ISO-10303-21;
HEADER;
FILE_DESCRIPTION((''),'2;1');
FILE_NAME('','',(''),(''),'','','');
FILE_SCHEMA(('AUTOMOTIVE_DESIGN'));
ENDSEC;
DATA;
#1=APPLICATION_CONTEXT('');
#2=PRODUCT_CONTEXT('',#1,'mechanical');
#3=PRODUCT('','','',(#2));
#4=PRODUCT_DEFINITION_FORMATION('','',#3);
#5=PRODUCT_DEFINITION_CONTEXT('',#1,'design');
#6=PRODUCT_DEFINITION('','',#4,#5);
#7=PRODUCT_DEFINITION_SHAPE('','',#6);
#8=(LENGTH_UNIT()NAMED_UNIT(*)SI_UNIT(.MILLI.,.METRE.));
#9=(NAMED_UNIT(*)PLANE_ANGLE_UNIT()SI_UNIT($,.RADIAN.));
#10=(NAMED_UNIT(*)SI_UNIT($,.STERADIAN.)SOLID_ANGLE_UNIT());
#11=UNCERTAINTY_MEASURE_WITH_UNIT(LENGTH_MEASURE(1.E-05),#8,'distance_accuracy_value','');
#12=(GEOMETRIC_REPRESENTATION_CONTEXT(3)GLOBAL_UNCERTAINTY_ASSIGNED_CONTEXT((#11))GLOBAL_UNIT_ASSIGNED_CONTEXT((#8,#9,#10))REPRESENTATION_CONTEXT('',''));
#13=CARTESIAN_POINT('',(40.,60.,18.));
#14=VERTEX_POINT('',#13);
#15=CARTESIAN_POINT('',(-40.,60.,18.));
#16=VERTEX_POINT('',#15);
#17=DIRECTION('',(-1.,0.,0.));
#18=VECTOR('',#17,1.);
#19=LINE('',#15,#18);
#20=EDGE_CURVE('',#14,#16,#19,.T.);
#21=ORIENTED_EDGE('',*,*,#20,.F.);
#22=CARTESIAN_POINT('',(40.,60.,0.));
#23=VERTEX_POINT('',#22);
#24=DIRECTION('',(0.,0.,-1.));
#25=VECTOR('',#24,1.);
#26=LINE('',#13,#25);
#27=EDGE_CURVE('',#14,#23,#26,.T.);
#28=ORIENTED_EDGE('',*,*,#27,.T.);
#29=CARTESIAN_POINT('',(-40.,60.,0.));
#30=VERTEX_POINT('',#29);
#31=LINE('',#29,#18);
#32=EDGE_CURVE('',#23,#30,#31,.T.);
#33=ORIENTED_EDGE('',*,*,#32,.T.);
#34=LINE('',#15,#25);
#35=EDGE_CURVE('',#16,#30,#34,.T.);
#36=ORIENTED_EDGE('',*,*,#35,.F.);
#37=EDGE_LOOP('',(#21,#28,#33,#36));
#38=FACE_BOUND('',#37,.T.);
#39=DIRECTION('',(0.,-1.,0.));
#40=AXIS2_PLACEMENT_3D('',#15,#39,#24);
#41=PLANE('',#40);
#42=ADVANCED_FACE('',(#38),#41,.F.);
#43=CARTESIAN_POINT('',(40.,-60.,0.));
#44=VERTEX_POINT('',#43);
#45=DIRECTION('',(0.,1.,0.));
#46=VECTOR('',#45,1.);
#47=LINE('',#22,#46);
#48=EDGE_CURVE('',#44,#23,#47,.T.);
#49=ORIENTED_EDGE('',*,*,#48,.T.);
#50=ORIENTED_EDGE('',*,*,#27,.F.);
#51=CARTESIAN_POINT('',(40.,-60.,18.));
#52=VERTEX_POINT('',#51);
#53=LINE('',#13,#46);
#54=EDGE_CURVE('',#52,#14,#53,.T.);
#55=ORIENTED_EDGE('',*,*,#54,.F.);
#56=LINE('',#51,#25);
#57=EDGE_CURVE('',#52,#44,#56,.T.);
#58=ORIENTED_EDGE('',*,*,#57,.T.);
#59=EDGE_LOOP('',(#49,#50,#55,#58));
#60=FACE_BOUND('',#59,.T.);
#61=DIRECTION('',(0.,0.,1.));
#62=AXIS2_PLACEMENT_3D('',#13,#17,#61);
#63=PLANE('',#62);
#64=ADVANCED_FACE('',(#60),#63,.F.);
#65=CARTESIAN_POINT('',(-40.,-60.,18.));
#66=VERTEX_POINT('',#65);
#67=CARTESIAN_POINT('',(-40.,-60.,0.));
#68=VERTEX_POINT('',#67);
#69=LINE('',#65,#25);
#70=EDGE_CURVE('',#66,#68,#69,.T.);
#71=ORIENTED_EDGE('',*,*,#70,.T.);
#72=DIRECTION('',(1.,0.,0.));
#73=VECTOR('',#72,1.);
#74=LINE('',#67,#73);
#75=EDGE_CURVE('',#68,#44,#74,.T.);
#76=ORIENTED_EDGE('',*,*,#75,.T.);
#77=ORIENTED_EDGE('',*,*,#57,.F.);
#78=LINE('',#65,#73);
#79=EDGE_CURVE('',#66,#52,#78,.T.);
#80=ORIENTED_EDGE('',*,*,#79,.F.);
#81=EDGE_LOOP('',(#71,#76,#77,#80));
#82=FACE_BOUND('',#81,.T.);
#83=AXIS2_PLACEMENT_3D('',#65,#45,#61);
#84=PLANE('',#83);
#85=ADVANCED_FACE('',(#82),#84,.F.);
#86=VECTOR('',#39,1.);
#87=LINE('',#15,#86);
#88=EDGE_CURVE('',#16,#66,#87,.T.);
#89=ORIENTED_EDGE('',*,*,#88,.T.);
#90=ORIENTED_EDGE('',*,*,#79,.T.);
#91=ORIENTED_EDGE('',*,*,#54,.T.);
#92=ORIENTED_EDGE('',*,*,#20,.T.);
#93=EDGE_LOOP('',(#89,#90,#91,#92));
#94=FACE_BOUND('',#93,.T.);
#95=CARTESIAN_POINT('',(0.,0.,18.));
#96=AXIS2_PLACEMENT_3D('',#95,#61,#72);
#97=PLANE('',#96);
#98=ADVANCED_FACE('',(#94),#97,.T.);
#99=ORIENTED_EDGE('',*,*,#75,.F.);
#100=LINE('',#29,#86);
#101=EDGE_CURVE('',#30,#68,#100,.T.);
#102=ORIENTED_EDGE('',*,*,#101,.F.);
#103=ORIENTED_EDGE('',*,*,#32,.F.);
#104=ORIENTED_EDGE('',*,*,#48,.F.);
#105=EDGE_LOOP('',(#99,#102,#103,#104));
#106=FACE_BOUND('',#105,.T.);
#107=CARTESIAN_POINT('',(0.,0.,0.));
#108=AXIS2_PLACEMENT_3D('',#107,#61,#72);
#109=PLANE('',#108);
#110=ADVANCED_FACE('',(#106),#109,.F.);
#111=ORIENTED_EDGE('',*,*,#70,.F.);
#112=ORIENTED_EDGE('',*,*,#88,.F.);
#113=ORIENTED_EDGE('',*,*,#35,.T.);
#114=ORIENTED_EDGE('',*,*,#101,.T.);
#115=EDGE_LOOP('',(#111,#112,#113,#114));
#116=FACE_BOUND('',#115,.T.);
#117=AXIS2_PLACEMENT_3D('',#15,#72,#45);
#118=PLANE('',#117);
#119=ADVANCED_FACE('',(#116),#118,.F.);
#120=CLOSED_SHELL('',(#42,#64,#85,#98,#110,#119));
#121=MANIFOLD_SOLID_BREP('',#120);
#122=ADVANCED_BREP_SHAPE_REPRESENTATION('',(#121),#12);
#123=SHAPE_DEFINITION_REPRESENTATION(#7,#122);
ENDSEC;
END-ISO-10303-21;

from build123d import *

# Parameters (mm, degrees)
SKETCH1_W           = 80
SKETCH1_H           = 120
BOSS_EXTRUDE1_DEPTH = 18


with BuildPart() as part:
    # Sketch1 → Boss-Extrude1 (new body)
    with BuildSketch(Plane.XY):
        Rectangle(SKETCH1_W, SKETCH1_H)
    extrude(amount=BOSS_EXTRUDE1_DEPTH)


solid = part.part
